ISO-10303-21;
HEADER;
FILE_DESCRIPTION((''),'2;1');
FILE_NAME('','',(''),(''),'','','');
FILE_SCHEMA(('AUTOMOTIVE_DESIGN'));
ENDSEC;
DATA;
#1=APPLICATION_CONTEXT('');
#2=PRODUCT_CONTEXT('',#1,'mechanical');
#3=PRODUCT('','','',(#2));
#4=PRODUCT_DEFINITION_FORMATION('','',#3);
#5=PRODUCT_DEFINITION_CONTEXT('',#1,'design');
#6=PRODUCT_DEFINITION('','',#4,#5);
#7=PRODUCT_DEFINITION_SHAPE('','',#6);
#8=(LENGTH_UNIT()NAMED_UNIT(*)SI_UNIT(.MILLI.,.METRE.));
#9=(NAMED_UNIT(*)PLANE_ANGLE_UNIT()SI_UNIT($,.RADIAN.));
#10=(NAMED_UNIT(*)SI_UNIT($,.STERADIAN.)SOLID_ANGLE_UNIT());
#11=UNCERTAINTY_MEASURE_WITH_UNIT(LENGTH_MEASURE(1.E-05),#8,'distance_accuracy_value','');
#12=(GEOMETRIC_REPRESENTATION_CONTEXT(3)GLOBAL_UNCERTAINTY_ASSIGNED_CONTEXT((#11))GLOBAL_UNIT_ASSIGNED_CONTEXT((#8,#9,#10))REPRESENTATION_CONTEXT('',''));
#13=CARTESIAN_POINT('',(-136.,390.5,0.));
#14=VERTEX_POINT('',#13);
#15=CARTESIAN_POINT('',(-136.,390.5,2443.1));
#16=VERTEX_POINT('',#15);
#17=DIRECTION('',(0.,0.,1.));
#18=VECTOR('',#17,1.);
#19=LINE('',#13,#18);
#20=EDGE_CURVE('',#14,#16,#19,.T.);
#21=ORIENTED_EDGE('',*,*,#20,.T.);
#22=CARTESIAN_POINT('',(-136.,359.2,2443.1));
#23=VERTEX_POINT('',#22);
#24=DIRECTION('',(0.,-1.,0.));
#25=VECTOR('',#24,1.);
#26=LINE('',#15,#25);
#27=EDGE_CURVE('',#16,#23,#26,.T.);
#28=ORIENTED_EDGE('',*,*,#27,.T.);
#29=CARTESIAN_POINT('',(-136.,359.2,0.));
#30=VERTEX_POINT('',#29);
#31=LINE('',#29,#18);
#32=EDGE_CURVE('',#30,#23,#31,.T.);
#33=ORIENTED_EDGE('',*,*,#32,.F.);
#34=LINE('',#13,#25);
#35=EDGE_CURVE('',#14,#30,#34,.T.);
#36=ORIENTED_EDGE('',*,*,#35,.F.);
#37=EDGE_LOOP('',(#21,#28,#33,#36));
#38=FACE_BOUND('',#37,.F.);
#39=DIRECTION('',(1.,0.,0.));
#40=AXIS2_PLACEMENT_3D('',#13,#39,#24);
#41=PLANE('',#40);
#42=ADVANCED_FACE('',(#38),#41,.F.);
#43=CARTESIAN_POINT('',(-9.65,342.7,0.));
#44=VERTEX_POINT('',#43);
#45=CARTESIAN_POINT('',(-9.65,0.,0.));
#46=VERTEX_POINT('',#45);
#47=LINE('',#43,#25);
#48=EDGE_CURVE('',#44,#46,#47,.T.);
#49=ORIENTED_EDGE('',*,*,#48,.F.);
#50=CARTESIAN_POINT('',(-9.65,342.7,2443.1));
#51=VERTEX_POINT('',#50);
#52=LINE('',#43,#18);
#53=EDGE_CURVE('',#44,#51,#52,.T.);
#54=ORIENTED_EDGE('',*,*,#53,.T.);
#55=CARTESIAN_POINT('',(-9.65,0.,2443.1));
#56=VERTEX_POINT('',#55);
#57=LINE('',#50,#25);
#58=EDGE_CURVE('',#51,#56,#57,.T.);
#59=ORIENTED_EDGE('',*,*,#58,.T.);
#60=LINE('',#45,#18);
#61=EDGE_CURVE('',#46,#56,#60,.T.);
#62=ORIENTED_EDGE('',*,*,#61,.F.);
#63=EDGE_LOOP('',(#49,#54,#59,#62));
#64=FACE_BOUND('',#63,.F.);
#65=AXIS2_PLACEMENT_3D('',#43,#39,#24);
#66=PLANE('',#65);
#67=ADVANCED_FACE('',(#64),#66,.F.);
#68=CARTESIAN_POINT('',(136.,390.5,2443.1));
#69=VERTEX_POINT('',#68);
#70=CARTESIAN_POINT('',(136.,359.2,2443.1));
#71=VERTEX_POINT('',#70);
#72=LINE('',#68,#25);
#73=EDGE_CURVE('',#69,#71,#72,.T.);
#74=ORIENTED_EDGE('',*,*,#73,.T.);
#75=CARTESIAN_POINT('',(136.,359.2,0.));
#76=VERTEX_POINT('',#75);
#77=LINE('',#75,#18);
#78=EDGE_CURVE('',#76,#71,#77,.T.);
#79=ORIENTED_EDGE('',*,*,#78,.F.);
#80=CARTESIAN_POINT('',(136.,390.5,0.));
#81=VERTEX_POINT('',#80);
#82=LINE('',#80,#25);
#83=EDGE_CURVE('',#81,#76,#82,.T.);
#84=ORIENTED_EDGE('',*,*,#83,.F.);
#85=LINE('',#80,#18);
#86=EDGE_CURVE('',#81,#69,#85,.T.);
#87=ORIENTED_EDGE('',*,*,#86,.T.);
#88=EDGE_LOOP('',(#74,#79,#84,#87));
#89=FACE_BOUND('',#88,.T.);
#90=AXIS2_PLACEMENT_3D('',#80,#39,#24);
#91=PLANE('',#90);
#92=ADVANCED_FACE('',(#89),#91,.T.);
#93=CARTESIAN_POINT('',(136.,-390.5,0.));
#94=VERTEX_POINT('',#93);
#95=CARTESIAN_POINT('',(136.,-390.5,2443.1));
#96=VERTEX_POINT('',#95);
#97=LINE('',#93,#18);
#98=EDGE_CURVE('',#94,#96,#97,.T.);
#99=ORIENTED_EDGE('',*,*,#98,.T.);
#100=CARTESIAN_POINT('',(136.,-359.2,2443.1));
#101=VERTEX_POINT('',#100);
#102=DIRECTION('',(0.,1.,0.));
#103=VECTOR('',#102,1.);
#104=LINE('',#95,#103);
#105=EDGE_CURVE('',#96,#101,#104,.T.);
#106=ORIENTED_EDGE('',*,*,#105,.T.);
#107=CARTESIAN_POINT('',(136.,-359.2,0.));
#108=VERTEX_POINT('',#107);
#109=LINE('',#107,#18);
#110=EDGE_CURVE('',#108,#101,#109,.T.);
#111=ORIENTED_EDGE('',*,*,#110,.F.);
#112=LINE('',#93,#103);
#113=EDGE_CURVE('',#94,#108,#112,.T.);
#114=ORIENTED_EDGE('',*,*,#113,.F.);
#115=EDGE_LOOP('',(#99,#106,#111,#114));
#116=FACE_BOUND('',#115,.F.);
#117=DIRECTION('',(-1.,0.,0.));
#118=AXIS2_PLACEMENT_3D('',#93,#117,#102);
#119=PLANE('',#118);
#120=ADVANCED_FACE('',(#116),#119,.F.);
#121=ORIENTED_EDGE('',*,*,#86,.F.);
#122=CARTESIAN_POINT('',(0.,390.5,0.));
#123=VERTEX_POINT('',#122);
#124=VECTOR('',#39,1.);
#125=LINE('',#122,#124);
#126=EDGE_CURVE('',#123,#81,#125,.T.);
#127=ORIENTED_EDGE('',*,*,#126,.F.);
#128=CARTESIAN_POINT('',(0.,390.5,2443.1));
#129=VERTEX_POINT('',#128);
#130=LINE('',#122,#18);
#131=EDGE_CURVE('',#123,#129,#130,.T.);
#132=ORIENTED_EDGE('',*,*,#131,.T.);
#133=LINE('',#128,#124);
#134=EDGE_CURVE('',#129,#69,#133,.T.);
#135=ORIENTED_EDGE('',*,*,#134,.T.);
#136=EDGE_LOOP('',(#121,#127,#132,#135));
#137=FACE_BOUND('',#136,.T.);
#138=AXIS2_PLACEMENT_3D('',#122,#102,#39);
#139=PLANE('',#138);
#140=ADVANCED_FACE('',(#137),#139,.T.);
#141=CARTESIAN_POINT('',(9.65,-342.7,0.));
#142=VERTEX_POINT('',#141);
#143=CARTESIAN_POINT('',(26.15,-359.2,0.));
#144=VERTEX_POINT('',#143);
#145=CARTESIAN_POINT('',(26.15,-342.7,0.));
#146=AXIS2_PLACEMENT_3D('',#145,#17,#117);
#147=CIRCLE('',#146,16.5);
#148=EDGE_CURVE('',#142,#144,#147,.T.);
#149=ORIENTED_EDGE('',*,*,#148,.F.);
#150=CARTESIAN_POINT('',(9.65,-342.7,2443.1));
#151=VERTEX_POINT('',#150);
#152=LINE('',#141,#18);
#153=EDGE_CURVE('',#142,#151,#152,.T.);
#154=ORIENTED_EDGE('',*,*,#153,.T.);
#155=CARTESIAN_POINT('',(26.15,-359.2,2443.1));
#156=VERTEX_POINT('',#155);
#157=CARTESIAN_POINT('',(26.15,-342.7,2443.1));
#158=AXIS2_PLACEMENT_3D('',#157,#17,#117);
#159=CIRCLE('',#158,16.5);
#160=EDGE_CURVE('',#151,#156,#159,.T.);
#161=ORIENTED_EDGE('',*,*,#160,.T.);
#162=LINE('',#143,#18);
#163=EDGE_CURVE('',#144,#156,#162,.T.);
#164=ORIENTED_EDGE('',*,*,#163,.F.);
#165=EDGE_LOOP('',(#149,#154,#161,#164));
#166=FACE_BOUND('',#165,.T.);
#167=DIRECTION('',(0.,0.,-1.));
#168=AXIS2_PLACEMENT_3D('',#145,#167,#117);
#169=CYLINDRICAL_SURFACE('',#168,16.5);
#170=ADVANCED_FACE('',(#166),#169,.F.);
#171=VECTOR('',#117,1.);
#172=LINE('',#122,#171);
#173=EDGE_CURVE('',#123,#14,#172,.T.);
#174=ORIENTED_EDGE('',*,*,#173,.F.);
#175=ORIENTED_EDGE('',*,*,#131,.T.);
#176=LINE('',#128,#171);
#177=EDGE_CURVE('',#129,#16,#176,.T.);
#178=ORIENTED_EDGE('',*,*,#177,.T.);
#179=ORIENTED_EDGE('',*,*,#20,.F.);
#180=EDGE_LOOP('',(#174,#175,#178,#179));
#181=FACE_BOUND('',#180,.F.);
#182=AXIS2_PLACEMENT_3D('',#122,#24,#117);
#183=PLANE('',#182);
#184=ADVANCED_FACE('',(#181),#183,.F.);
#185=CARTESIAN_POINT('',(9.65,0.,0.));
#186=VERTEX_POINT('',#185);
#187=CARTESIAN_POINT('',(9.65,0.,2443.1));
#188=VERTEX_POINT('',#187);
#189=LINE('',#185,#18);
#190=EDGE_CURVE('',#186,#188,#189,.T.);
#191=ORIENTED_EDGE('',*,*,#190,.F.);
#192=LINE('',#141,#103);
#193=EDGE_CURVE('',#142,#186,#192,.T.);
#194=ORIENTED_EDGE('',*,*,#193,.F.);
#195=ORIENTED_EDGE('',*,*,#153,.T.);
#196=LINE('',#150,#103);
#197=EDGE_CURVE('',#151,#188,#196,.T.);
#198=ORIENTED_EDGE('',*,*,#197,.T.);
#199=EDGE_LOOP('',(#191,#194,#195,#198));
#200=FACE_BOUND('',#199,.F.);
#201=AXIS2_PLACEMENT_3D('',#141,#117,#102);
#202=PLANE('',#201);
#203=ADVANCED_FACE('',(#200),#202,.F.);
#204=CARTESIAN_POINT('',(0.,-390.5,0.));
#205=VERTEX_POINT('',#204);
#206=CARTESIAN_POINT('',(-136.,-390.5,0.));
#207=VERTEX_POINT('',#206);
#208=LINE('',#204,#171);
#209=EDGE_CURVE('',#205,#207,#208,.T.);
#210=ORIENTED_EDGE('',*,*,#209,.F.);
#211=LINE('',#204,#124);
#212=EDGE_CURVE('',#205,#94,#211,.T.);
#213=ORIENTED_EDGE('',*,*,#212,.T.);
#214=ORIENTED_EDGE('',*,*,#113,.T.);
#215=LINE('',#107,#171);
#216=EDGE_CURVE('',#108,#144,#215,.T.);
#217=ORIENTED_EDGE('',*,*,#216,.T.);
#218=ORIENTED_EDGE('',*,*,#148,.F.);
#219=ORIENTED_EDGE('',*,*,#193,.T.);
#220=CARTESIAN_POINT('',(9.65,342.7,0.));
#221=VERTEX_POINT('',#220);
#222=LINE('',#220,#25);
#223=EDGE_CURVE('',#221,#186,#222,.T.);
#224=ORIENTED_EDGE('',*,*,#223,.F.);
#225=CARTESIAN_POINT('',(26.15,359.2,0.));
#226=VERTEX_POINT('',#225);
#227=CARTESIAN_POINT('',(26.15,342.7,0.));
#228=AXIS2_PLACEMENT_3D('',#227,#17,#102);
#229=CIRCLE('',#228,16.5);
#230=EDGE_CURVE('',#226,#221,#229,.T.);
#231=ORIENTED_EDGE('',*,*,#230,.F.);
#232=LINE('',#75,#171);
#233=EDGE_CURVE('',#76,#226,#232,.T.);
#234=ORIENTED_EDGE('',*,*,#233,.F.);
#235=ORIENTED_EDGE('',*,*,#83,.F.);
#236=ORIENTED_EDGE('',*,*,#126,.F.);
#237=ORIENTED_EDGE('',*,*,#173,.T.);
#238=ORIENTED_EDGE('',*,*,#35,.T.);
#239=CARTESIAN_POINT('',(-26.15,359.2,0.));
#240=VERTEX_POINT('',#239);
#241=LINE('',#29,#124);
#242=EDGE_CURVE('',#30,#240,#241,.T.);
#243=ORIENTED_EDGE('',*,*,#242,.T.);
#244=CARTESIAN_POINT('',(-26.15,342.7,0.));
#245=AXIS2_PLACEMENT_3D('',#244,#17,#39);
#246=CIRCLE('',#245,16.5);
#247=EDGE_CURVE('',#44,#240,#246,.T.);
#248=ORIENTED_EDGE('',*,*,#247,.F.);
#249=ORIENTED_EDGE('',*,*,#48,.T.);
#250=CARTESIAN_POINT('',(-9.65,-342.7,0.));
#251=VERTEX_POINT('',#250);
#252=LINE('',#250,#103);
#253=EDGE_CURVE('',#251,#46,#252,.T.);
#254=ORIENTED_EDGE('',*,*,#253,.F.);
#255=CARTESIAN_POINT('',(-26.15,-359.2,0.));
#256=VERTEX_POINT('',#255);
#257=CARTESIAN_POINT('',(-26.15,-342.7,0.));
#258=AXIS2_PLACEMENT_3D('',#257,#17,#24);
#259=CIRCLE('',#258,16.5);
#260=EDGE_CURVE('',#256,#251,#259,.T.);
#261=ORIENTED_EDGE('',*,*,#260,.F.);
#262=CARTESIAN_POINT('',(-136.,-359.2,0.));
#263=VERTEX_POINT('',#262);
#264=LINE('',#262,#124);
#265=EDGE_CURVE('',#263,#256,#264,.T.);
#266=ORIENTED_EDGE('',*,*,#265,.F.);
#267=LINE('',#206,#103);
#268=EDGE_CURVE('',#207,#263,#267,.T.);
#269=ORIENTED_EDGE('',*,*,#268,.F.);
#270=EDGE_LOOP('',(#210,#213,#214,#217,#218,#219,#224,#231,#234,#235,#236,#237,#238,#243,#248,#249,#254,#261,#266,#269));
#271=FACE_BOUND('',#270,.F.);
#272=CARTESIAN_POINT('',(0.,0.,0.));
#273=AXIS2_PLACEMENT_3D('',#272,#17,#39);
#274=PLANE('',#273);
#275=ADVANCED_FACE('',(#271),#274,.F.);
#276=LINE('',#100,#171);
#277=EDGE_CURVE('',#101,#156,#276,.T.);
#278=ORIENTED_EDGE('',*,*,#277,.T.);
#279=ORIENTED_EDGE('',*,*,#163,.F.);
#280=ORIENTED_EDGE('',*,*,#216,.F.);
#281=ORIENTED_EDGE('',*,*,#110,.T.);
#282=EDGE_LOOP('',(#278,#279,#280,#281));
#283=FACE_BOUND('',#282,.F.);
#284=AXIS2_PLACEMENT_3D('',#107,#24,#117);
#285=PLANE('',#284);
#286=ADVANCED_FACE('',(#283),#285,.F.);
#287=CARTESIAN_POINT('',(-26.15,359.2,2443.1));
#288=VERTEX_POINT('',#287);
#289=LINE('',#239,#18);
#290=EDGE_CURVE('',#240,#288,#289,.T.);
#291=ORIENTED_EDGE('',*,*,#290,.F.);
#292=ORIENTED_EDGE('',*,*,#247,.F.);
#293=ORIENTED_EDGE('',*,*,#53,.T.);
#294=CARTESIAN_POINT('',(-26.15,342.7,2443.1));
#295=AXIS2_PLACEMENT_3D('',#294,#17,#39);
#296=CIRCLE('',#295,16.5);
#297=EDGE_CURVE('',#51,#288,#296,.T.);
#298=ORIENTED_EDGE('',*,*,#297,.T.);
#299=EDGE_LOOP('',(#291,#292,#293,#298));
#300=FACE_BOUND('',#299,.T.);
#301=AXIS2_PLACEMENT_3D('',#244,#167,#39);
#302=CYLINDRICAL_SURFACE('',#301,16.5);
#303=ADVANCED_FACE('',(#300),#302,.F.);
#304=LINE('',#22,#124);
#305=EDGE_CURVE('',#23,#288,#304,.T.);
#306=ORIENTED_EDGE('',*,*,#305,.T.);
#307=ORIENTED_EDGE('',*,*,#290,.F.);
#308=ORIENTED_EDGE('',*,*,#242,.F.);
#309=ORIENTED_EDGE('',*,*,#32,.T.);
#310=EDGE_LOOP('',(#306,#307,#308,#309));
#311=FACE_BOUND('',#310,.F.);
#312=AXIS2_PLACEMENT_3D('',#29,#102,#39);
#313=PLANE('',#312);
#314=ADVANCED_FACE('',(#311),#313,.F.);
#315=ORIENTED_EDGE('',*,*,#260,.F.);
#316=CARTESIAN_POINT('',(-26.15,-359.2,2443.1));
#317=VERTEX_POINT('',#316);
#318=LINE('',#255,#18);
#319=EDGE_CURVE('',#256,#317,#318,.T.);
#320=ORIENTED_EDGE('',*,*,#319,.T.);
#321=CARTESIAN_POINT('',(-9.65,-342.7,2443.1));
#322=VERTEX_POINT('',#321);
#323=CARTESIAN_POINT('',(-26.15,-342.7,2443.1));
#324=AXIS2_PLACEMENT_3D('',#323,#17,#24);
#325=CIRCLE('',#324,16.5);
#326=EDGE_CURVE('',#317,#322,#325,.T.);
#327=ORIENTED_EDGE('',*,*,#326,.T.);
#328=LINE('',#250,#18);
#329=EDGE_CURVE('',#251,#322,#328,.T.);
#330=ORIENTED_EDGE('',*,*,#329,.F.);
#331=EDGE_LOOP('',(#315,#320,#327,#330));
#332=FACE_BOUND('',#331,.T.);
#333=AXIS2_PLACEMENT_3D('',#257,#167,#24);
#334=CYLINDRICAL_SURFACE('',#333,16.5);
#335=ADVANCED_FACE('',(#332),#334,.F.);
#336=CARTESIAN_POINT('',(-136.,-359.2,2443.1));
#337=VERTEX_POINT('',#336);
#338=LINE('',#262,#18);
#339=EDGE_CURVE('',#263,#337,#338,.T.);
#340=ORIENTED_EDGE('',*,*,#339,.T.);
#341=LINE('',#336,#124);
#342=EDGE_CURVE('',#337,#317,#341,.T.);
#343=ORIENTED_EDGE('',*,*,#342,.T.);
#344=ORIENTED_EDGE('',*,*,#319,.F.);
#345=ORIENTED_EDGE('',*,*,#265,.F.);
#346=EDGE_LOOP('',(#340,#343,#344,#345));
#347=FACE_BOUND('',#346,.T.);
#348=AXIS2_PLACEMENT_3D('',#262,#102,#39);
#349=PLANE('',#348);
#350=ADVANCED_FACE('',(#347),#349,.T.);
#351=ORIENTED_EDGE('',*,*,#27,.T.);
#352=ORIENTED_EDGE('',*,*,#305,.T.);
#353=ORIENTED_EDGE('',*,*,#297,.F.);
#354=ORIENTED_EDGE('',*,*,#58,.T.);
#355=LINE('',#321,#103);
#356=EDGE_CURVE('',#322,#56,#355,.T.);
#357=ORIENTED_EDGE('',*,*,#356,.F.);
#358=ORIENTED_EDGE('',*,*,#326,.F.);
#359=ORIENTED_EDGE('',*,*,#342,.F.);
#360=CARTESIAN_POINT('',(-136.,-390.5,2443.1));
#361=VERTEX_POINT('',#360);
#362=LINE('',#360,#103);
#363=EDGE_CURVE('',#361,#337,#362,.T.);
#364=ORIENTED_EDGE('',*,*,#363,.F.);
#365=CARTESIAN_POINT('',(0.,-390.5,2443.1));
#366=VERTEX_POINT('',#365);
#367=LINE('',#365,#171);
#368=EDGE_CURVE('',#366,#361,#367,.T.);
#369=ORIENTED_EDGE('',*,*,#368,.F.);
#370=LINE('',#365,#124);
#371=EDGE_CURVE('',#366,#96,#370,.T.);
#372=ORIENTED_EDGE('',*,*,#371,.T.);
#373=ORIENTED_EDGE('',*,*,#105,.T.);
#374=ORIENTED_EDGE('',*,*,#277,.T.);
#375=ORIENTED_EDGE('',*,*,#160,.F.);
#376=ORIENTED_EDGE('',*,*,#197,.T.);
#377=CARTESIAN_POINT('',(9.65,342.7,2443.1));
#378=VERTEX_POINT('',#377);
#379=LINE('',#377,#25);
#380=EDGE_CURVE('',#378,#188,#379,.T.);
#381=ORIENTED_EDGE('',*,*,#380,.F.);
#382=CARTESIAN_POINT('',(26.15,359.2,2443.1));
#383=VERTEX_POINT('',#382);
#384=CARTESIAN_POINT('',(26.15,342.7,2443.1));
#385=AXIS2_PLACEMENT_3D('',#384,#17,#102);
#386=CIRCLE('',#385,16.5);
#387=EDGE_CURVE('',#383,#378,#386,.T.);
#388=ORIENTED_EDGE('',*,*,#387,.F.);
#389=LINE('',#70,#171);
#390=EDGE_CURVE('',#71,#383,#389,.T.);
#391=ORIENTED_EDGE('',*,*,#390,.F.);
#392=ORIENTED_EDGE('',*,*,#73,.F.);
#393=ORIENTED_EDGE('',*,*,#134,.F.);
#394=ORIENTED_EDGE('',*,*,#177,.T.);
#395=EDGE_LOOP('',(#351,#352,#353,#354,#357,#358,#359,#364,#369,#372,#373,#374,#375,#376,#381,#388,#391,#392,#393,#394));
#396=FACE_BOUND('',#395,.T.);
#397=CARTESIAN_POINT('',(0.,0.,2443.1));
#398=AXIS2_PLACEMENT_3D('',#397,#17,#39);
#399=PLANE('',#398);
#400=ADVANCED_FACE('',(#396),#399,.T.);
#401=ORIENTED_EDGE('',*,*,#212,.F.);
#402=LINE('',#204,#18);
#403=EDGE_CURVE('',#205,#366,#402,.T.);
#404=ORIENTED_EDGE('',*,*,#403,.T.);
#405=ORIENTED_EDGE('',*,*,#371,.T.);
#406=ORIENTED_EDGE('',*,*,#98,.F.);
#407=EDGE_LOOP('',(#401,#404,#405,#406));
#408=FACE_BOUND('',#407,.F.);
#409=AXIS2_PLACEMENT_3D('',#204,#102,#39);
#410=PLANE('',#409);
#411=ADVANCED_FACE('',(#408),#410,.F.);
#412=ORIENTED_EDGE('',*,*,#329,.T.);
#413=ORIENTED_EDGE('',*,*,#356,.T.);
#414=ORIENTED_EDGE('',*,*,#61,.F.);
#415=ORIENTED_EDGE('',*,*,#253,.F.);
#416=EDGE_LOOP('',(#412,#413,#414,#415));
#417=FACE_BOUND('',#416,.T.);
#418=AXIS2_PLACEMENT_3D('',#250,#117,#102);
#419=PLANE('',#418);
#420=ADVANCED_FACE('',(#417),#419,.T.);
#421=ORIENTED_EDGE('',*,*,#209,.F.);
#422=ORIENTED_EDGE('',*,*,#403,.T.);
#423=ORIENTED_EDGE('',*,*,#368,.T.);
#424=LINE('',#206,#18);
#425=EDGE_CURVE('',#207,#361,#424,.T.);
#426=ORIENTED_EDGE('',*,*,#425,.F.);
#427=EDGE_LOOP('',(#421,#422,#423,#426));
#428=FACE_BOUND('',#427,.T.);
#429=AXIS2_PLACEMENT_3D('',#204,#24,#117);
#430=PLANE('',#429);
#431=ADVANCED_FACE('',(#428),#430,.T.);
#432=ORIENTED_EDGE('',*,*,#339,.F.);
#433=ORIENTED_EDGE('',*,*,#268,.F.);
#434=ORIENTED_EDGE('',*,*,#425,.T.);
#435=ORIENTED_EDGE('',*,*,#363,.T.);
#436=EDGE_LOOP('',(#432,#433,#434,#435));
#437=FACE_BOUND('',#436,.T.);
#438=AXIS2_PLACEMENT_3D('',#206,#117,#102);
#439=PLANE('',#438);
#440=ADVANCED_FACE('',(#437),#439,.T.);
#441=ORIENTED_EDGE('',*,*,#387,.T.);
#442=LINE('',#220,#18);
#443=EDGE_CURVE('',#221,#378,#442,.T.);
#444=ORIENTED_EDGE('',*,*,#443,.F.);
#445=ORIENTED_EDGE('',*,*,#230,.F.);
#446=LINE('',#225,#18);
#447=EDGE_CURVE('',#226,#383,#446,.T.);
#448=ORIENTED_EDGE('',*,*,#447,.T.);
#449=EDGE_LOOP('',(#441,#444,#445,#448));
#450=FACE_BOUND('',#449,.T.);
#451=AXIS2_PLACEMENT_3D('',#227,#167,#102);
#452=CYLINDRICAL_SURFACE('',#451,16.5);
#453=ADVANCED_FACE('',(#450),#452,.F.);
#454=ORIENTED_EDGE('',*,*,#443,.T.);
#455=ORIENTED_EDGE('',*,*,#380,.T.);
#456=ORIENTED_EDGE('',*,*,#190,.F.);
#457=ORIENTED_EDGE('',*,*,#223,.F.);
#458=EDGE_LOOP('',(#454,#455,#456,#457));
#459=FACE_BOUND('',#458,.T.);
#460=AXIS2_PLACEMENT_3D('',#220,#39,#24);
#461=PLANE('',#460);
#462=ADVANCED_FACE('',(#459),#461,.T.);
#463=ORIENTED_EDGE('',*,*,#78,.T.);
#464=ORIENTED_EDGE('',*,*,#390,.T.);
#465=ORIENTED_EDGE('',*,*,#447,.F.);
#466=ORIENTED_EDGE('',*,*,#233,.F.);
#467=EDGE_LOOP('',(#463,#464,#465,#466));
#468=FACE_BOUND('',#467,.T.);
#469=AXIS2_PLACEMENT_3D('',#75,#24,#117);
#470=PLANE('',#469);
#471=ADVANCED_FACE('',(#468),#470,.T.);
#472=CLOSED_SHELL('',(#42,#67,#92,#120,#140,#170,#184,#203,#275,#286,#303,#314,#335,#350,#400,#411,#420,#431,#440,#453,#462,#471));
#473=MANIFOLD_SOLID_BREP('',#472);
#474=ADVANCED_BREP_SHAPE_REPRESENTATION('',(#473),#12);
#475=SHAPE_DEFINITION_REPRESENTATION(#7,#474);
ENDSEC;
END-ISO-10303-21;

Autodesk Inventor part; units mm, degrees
ref_plane "YZ Plane" through (0, 0, 0) normal (1, 0, 0) x (0, 1, 0)
ref_plane "Start plane" through (0, 0, 0) normal (0, 0, 1) x (1, 0, 0)
ref_plane "End plane" through (0, 0, 2443.1) normal (0, 0, 1) x (1, 0, 0)
sketch "Sketch" plane through (0, 0, 0) normal (0, 0, 1) x (1, 0, 0)
  line L0 (-136, -390.5) -> (-136, -359.2)
  line L1 (-136, -359.2) -> (-26.15, -359.2)
  line L2 (-9.65, -342.7) -> (-9.65, 0)
  line L3 (-9.65, 0) -> (0, 0) construction
  line L4 (0, 0) -> (0, -390.5) construction
  line L5 (0, -390.5) -> (-136, -390.5)
  line L6 (-60, 0) -> (80, 0) construction
  line L7 (0, -60) -> (0, 80) construction
  line L8 (136, -390.5) -> (136, -359.2)
  line L9 (136, -359.2) -> (26.15, -359.2)
  line L10 (9.65, -342.7) -> (9.65, 0)
  line L11 (9.65, 0) -> (0, 0) construction
  line L12 (0, -390.5) -> (136, -390.5)
  line L13 (-136, 390.5) -> (-136, 359.2)
  line L14 (-136, 359.2) -> (-26.15, 359.2)
  line L15 (-9.65, 342.7) -> (-9.65, 0)
  line L16 (0, 390.5) -> (-136, 390.5)
  line L17 (136, 390.5) -> (136, 359.2)
  line L18 (136, 359.2) -> (26.15, 359.2)
  line L19 (0, 390.5) -> (136, 390.5)
  line L20 (9.65, 342.7) -> (9.65, 0)
  arc A0 (-9.65, 342.7) -> (-26.15, 359.2) centre (-26.15, 342.7) ccw
  arc A1 (26.15, 359.2) -> (9.65, 342.7) centre (26.15, 342.7) ccw
  arc A2 (9.65, -342.7) -> (26.15, -359.2) centre (26.15, -342.7) ccw
  arc A3 (-26.15, -359.2) -> (-9.65, -342.7) centre (-26.15, -342.7) ccw
  line L21 (0, 108) -> (0, -88) construction
  line L22 (-88, 0) -> (108, 0) construction
  point P0 (-9.65, -359.2)
  point P1 (9.65, -359.2)
  point P2 (-9.65, 359.2)
  point P3 (9.65, 359.2)
  dimension "d1" = 390.5
  dimension "d2" = 31.3
  dimension "d3" = 136
  dimension "d4" = 9.65
  dimension "d10" = 16.5
extrude "Body" add sketch "Sketch" along normal up to surface (2443.1 mm away) from surface at 0
sketch "Sketch4" plane through (0, 0, 0) normal (0, 0, 1) x (1, 0, 0)
  line L0 (0, 0) -> (10, 0)
ref_plane "Work Plane3" through (0, 0, 0) normal (0, -1, 0) x (1, 0, 0)
sketch "Sketch5" plane through (0, 0, 0) normal (0, -1, 0) x (1, 0, 0)
  line L0 (-2, 0) -> (12, 0) projected
  line L1 (-2, 2443.1) -> (12, 2443.1) projected
  dimension "d14" = 2443.1
equation "\"d1\" = 0.5 * G_H"
equation "\"d2\" = G_T1"
equation "\"d3\" = 0.5 * G_W"
equation "\"d4\" = 0.5 * G_T"
equation "\"d10\" = G_IR"
equation "\"d5\" = G_L"
equation "\"G_W\" = 272"
equation "\"G_H\" = 781"
equation "\"G_T\" = 19.3"
equation "\"G_T1\" = 31.3"
equation "\"G_IR\" = 16.5"
equation "\"G_L\" = d14"
equation "\"G_OFFSET_START\" = 0"
equation "\"G_OFFSET_END\" = 0"
equation "\"d12\" = G_OFFSET_END + B_L"
equation "\"B_L\" = 2443.1"
properties part number "AS 3679-1990 - 760 UB - 244 - 2443.1" material "Steel, Mild"
